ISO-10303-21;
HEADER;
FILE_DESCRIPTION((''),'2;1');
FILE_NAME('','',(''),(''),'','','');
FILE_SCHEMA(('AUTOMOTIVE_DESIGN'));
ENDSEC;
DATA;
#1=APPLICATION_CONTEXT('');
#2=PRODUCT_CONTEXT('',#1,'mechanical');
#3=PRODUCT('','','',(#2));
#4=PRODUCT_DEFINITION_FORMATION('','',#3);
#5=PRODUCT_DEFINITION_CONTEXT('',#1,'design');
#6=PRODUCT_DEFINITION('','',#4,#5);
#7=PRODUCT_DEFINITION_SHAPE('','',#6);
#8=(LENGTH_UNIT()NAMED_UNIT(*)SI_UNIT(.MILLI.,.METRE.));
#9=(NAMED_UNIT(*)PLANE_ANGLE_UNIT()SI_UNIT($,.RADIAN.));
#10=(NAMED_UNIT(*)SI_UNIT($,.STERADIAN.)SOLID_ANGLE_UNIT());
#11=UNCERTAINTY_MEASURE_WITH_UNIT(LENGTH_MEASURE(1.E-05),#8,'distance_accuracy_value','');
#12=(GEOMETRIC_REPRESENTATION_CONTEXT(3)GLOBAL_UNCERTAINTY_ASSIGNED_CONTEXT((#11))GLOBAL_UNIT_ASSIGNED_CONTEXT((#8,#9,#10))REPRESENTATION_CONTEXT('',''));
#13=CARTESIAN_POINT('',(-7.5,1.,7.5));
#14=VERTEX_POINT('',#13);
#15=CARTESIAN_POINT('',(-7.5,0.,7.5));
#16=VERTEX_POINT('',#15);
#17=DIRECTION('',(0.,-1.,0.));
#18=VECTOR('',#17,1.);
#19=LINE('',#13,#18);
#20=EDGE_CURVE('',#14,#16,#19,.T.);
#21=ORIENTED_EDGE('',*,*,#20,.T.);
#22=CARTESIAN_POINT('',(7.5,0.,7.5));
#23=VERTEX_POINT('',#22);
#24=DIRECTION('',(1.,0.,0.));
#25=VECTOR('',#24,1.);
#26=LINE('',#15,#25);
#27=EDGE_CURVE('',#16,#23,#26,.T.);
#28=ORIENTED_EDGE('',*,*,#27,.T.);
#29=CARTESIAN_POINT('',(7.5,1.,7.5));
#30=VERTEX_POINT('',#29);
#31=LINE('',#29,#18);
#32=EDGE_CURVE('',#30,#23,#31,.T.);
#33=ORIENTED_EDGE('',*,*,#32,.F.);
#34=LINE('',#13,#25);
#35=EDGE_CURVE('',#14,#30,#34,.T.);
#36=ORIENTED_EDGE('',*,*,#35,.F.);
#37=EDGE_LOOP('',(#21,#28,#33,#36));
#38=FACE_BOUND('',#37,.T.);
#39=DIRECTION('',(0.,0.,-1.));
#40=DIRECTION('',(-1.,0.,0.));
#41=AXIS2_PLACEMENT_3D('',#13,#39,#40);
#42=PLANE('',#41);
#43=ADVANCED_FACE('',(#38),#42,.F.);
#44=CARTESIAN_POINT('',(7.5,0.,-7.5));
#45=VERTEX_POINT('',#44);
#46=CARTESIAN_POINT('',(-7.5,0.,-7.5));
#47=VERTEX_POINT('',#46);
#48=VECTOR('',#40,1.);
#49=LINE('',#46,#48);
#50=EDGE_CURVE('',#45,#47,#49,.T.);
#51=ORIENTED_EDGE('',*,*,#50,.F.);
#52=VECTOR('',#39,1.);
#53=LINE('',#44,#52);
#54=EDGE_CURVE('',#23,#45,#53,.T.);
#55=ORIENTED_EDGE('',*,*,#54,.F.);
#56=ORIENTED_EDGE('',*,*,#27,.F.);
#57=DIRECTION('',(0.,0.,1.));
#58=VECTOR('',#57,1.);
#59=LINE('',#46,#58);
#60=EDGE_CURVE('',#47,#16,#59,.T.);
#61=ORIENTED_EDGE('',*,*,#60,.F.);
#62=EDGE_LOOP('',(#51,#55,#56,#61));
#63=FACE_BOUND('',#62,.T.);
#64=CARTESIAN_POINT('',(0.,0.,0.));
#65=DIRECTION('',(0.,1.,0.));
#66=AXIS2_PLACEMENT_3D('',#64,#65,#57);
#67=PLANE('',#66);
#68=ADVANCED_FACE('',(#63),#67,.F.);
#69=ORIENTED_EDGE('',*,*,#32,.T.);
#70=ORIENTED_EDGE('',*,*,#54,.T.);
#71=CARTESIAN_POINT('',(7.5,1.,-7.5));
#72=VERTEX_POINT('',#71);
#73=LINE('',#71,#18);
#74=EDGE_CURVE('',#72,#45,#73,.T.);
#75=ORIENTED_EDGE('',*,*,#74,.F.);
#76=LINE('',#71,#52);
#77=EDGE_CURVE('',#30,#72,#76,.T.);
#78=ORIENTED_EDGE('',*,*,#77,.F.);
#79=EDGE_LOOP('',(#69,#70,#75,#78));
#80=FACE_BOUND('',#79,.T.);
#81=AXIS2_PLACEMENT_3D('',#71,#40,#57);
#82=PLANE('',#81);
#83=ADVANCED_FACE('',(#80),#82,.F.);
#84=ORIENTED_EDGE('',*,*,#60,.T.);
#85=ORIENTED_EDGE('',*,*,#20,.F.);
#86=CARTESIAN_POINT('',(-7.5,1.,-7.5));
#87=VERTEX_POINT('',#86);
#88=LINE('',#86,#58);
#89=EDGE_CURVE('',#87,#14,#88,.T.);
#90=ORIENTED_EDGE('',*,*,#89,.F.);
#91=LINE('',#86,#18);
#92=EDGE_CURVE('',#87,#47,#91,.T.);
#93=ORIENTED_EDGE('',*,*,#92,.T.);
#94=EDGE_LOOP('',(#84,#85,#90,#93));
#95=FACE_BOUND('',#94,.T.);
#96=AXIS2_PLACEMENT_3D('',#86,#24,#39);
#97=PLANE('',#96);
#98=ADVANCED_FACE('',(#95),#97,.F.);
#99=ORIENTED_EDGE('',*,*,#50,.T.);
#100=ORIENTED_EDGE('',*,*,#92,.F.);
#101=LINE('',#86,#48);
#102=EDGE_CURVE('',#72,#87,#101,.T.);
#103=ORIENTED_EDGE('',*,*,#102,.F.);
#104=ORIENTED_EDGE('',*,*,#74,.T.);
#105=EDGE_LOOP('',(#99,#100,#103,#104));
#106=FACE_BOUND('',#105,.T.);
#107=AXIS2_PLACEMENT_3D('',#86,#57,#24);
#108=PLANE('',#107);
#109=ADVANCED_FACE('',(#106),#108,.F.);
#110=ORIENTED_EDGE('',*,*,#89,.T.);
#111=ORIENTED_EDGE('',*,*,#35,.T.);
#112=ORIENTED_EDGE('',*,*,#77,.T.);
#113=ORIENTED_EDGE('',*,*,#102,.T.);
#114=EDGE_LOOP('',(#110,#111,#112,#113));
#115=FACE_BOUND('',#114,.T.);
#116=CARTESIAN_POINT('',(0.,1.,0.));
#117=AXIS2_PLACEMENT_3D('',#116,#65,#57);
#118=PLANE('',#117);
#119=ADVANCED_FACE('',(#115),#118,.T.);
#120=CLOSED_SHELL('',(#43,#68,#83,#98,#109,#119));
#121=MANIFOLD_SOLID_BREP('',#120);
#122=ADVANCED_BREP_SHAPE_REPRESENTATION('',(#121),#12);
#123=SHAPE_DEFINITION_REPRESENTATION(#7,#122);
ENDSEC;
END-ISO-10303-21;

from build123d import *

# Parameters (mm, degrees)
BASES_W    = 15
BASES_H    = 15
BASE_DEPTH = 1


with BuildPart() as part:
    # BaseS → Base (new body)
    with BuildSketch(Plane(origin=(0, 0, 0), x_dir=(1, 0, 0), z_dir=(0, 1, 0))):
        Rectangle(BASES_W, BASES_H)
    extrude(amount=BASE_DEPTH)


solid = part.part
